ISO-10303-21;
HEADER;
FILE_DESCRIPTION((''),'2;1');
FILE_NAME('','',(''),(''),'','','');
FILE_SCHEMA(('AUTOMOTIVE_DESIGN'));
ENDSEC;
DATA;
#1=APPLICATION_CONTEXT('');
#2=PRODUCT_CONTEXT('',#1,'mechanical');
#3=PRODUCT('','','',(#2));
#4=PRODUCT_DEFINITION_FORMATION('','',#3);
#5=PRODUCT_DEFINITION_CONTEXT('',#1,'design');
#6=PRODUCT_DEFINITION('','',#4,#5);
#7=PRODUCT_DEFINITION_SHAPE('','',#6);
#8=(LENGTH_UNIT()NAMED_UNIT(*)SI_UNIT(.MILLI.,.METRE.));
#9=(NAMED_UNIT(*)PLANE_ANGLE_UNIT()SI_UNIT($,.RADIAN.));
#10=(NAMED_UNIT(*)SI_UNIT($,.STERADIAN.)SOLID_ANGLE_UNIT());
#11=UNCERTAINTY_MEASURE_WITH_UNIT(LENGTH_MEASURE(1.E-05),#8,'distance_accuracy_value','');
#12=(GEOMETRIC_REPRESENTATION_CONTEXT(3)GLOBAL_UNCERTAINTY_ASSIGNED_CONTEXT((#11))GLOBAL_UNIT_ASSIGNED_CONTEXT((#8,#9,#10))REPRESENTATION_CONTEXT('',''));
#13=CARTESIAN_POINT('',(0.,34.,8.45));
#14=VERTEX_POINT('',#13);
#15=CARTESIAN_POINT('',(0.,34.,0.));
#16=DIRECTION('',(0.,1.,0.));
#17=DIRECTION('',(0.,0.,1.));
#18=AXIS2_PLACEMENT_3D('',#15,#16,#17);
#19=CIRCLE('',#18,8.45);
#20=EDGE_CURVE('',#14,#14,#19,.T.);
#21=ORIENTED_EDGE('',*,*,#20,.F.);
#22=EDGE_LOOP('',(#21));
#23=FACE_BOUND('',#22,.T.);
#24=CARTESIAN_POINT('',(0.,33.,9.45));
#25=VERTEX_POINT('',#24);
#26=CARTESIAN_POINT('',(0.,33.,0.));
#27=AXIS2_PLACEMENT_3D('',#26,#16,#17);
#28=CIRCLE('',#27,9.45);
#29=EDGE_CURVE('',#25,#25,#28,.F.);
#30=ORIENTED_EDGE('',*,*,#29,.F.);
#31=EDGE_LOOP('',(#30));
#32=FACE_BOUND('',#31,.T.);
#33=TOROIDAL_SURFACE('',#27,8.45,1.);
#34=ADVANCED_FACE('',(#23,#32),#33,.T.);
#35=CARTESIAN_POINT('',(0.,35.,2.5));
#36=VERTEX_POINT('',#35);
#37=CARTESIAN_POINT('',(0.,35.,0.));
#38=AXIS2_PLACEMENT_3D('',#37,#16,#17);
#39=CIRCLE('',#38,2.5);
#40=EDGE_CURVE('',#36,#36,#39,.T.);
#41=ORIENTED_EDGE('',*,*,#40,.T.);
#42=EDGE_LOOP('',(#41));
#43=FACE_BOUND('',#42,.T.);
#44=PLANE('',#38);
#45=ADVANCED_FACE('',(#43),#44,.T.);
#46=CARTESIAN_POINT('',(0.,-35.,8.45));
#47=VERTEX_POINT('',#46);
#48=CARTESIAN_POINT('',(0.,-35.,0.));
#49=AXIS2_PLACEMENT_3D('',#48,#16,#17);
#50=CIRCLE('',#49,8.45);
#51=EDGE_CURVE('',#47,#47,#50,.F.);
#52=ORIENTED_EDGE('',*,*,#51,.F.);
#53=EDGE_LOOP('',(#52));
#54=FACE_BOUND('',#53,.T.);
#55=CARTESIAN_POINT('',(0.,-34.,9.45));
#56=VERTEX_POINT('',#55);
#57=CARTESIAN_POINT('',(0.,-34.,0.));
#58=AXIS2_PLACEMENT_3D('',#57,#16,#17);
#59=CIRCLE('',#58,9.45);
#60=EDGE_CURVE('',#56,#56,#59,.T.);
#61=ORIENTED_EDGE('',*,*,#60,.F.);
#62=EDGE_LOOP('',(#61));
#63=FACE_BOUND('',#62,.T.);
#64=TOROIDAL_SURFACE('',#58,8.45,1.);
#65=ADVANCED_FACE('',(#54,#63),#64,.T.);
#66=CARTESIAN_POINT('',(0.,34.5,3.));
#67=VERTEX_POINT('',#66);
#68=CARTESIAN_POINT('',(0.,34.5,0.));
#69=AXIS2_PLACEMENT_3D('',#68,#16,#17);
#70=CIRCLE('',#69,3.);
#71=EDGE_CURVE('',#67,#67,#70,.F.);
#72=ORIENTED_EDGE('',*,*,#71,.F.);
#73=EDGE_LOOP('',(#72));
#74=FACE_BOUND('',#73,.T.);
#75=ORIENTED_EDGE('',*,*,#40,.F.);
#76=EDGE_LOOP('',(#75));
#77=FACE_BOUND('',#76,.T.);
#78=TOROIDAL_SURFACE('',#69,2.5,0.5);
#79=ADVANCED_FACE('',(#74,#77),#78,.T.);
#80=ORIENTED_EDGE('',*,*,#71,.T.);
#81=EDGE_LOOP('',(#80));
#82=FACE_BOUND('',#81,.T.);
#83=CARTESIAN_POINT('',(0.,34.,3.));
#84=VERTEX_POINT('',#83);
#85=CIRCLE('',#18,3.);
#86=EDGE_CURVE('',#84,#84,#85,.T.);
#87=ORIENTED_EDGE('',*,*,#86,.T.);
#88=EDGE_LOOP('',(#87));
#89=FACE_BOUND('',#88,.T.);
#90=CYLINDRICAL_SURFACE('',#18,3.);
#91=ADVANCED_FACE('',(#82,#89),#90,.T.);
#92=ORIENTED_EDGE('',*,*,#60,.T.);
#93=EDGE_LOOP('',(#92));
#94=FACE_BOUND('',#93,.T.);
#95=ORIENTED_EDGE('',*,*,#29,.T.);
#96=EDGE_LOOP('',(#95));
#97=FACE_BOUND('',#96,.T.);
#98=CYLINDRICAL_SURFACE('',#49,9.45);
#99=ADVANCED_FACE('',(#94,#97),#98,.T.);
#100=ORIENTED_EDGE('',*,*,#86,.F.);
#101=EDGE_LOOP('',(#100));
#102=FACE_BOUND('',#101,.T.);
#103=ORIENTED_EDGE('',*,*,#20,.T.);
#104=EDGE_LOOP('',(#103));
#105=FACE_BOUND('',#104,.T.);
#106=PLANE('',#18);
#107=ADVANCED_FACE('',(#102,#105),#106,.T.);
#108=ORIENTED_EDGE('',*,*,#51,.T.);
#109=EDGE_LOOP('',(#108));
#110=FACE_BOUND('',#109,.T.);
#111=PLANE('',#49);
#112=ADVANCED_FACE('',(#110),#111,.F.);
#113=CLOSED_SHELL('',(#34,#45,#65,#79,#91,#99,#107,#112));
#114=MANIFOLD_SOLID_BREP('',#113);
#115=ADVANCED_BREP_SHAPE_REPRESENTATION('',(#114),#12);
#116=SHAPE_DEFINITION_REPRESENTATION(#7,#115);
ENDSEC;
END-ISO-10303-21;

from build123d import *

# Parameters (mm, degrees)
BOSS_EXTRUDE1_DEPTH      = 35
BOSS_EXTRUDE1_DEPTH_BACK = 35
SKETCH1_R                = 9.45
SKETCH2_R                = 9.45
SKETCH2_R_2              = 3
CUT_EXTRUDE1_DEPTH       = 1
FILLET1_R                = 0.5
FILLET2_R                = 1


with BuildPart() as part:
    # Sketch1 → Boss-Extrude1 (new, two sides: drawn at the far end of the back side and taken through both)
    with BuildSketch(Plane(origin=(0, 0, 0), x_dir=(1, 0, 0), z_dir=(0, 1, 0)).offset(-BOSS_EXTRUDE1_DEPTH_BACK)):
        Circle(SKETCH1_R)
    extrude(amount=BOSS_EXTRUDE1_DEPTH + BOSS_EXTRUDE1_DEPTH_BACK)

    # Sketch2 → Cut-Extrude1 (cut)
    with BuildSketch(Plane(origin=(0, 35, 0), x_dir=(1, 0, 0), z_dir=(0, 1, 0))):
        Circle(SKETCH2_R)
        Circle(SKETCH2_R_2, mode=Mode.SUBTRACT)
    extrude(amount=-CUT_EXTRUDE1_DEPTH, mode=Mode.SUBTRACT)

    # Fillet1
    fillet1_edges = [part.edges().sort_by_distance(p)[0] for p in [
        (-3, 35, 0),
    ]]
    fillet(fillet1_edges, radius=FILLET1_R)

    # Fillet2
    fillet2_edges = [part.edges().sort_by_distance(p)[0] for p in [
        (-9.45, -35, 0),
        (-9.45, 34, 0),
    ]]
    fillet(fillet2_edges, radius=FILLET2_R)


solid = part.part
